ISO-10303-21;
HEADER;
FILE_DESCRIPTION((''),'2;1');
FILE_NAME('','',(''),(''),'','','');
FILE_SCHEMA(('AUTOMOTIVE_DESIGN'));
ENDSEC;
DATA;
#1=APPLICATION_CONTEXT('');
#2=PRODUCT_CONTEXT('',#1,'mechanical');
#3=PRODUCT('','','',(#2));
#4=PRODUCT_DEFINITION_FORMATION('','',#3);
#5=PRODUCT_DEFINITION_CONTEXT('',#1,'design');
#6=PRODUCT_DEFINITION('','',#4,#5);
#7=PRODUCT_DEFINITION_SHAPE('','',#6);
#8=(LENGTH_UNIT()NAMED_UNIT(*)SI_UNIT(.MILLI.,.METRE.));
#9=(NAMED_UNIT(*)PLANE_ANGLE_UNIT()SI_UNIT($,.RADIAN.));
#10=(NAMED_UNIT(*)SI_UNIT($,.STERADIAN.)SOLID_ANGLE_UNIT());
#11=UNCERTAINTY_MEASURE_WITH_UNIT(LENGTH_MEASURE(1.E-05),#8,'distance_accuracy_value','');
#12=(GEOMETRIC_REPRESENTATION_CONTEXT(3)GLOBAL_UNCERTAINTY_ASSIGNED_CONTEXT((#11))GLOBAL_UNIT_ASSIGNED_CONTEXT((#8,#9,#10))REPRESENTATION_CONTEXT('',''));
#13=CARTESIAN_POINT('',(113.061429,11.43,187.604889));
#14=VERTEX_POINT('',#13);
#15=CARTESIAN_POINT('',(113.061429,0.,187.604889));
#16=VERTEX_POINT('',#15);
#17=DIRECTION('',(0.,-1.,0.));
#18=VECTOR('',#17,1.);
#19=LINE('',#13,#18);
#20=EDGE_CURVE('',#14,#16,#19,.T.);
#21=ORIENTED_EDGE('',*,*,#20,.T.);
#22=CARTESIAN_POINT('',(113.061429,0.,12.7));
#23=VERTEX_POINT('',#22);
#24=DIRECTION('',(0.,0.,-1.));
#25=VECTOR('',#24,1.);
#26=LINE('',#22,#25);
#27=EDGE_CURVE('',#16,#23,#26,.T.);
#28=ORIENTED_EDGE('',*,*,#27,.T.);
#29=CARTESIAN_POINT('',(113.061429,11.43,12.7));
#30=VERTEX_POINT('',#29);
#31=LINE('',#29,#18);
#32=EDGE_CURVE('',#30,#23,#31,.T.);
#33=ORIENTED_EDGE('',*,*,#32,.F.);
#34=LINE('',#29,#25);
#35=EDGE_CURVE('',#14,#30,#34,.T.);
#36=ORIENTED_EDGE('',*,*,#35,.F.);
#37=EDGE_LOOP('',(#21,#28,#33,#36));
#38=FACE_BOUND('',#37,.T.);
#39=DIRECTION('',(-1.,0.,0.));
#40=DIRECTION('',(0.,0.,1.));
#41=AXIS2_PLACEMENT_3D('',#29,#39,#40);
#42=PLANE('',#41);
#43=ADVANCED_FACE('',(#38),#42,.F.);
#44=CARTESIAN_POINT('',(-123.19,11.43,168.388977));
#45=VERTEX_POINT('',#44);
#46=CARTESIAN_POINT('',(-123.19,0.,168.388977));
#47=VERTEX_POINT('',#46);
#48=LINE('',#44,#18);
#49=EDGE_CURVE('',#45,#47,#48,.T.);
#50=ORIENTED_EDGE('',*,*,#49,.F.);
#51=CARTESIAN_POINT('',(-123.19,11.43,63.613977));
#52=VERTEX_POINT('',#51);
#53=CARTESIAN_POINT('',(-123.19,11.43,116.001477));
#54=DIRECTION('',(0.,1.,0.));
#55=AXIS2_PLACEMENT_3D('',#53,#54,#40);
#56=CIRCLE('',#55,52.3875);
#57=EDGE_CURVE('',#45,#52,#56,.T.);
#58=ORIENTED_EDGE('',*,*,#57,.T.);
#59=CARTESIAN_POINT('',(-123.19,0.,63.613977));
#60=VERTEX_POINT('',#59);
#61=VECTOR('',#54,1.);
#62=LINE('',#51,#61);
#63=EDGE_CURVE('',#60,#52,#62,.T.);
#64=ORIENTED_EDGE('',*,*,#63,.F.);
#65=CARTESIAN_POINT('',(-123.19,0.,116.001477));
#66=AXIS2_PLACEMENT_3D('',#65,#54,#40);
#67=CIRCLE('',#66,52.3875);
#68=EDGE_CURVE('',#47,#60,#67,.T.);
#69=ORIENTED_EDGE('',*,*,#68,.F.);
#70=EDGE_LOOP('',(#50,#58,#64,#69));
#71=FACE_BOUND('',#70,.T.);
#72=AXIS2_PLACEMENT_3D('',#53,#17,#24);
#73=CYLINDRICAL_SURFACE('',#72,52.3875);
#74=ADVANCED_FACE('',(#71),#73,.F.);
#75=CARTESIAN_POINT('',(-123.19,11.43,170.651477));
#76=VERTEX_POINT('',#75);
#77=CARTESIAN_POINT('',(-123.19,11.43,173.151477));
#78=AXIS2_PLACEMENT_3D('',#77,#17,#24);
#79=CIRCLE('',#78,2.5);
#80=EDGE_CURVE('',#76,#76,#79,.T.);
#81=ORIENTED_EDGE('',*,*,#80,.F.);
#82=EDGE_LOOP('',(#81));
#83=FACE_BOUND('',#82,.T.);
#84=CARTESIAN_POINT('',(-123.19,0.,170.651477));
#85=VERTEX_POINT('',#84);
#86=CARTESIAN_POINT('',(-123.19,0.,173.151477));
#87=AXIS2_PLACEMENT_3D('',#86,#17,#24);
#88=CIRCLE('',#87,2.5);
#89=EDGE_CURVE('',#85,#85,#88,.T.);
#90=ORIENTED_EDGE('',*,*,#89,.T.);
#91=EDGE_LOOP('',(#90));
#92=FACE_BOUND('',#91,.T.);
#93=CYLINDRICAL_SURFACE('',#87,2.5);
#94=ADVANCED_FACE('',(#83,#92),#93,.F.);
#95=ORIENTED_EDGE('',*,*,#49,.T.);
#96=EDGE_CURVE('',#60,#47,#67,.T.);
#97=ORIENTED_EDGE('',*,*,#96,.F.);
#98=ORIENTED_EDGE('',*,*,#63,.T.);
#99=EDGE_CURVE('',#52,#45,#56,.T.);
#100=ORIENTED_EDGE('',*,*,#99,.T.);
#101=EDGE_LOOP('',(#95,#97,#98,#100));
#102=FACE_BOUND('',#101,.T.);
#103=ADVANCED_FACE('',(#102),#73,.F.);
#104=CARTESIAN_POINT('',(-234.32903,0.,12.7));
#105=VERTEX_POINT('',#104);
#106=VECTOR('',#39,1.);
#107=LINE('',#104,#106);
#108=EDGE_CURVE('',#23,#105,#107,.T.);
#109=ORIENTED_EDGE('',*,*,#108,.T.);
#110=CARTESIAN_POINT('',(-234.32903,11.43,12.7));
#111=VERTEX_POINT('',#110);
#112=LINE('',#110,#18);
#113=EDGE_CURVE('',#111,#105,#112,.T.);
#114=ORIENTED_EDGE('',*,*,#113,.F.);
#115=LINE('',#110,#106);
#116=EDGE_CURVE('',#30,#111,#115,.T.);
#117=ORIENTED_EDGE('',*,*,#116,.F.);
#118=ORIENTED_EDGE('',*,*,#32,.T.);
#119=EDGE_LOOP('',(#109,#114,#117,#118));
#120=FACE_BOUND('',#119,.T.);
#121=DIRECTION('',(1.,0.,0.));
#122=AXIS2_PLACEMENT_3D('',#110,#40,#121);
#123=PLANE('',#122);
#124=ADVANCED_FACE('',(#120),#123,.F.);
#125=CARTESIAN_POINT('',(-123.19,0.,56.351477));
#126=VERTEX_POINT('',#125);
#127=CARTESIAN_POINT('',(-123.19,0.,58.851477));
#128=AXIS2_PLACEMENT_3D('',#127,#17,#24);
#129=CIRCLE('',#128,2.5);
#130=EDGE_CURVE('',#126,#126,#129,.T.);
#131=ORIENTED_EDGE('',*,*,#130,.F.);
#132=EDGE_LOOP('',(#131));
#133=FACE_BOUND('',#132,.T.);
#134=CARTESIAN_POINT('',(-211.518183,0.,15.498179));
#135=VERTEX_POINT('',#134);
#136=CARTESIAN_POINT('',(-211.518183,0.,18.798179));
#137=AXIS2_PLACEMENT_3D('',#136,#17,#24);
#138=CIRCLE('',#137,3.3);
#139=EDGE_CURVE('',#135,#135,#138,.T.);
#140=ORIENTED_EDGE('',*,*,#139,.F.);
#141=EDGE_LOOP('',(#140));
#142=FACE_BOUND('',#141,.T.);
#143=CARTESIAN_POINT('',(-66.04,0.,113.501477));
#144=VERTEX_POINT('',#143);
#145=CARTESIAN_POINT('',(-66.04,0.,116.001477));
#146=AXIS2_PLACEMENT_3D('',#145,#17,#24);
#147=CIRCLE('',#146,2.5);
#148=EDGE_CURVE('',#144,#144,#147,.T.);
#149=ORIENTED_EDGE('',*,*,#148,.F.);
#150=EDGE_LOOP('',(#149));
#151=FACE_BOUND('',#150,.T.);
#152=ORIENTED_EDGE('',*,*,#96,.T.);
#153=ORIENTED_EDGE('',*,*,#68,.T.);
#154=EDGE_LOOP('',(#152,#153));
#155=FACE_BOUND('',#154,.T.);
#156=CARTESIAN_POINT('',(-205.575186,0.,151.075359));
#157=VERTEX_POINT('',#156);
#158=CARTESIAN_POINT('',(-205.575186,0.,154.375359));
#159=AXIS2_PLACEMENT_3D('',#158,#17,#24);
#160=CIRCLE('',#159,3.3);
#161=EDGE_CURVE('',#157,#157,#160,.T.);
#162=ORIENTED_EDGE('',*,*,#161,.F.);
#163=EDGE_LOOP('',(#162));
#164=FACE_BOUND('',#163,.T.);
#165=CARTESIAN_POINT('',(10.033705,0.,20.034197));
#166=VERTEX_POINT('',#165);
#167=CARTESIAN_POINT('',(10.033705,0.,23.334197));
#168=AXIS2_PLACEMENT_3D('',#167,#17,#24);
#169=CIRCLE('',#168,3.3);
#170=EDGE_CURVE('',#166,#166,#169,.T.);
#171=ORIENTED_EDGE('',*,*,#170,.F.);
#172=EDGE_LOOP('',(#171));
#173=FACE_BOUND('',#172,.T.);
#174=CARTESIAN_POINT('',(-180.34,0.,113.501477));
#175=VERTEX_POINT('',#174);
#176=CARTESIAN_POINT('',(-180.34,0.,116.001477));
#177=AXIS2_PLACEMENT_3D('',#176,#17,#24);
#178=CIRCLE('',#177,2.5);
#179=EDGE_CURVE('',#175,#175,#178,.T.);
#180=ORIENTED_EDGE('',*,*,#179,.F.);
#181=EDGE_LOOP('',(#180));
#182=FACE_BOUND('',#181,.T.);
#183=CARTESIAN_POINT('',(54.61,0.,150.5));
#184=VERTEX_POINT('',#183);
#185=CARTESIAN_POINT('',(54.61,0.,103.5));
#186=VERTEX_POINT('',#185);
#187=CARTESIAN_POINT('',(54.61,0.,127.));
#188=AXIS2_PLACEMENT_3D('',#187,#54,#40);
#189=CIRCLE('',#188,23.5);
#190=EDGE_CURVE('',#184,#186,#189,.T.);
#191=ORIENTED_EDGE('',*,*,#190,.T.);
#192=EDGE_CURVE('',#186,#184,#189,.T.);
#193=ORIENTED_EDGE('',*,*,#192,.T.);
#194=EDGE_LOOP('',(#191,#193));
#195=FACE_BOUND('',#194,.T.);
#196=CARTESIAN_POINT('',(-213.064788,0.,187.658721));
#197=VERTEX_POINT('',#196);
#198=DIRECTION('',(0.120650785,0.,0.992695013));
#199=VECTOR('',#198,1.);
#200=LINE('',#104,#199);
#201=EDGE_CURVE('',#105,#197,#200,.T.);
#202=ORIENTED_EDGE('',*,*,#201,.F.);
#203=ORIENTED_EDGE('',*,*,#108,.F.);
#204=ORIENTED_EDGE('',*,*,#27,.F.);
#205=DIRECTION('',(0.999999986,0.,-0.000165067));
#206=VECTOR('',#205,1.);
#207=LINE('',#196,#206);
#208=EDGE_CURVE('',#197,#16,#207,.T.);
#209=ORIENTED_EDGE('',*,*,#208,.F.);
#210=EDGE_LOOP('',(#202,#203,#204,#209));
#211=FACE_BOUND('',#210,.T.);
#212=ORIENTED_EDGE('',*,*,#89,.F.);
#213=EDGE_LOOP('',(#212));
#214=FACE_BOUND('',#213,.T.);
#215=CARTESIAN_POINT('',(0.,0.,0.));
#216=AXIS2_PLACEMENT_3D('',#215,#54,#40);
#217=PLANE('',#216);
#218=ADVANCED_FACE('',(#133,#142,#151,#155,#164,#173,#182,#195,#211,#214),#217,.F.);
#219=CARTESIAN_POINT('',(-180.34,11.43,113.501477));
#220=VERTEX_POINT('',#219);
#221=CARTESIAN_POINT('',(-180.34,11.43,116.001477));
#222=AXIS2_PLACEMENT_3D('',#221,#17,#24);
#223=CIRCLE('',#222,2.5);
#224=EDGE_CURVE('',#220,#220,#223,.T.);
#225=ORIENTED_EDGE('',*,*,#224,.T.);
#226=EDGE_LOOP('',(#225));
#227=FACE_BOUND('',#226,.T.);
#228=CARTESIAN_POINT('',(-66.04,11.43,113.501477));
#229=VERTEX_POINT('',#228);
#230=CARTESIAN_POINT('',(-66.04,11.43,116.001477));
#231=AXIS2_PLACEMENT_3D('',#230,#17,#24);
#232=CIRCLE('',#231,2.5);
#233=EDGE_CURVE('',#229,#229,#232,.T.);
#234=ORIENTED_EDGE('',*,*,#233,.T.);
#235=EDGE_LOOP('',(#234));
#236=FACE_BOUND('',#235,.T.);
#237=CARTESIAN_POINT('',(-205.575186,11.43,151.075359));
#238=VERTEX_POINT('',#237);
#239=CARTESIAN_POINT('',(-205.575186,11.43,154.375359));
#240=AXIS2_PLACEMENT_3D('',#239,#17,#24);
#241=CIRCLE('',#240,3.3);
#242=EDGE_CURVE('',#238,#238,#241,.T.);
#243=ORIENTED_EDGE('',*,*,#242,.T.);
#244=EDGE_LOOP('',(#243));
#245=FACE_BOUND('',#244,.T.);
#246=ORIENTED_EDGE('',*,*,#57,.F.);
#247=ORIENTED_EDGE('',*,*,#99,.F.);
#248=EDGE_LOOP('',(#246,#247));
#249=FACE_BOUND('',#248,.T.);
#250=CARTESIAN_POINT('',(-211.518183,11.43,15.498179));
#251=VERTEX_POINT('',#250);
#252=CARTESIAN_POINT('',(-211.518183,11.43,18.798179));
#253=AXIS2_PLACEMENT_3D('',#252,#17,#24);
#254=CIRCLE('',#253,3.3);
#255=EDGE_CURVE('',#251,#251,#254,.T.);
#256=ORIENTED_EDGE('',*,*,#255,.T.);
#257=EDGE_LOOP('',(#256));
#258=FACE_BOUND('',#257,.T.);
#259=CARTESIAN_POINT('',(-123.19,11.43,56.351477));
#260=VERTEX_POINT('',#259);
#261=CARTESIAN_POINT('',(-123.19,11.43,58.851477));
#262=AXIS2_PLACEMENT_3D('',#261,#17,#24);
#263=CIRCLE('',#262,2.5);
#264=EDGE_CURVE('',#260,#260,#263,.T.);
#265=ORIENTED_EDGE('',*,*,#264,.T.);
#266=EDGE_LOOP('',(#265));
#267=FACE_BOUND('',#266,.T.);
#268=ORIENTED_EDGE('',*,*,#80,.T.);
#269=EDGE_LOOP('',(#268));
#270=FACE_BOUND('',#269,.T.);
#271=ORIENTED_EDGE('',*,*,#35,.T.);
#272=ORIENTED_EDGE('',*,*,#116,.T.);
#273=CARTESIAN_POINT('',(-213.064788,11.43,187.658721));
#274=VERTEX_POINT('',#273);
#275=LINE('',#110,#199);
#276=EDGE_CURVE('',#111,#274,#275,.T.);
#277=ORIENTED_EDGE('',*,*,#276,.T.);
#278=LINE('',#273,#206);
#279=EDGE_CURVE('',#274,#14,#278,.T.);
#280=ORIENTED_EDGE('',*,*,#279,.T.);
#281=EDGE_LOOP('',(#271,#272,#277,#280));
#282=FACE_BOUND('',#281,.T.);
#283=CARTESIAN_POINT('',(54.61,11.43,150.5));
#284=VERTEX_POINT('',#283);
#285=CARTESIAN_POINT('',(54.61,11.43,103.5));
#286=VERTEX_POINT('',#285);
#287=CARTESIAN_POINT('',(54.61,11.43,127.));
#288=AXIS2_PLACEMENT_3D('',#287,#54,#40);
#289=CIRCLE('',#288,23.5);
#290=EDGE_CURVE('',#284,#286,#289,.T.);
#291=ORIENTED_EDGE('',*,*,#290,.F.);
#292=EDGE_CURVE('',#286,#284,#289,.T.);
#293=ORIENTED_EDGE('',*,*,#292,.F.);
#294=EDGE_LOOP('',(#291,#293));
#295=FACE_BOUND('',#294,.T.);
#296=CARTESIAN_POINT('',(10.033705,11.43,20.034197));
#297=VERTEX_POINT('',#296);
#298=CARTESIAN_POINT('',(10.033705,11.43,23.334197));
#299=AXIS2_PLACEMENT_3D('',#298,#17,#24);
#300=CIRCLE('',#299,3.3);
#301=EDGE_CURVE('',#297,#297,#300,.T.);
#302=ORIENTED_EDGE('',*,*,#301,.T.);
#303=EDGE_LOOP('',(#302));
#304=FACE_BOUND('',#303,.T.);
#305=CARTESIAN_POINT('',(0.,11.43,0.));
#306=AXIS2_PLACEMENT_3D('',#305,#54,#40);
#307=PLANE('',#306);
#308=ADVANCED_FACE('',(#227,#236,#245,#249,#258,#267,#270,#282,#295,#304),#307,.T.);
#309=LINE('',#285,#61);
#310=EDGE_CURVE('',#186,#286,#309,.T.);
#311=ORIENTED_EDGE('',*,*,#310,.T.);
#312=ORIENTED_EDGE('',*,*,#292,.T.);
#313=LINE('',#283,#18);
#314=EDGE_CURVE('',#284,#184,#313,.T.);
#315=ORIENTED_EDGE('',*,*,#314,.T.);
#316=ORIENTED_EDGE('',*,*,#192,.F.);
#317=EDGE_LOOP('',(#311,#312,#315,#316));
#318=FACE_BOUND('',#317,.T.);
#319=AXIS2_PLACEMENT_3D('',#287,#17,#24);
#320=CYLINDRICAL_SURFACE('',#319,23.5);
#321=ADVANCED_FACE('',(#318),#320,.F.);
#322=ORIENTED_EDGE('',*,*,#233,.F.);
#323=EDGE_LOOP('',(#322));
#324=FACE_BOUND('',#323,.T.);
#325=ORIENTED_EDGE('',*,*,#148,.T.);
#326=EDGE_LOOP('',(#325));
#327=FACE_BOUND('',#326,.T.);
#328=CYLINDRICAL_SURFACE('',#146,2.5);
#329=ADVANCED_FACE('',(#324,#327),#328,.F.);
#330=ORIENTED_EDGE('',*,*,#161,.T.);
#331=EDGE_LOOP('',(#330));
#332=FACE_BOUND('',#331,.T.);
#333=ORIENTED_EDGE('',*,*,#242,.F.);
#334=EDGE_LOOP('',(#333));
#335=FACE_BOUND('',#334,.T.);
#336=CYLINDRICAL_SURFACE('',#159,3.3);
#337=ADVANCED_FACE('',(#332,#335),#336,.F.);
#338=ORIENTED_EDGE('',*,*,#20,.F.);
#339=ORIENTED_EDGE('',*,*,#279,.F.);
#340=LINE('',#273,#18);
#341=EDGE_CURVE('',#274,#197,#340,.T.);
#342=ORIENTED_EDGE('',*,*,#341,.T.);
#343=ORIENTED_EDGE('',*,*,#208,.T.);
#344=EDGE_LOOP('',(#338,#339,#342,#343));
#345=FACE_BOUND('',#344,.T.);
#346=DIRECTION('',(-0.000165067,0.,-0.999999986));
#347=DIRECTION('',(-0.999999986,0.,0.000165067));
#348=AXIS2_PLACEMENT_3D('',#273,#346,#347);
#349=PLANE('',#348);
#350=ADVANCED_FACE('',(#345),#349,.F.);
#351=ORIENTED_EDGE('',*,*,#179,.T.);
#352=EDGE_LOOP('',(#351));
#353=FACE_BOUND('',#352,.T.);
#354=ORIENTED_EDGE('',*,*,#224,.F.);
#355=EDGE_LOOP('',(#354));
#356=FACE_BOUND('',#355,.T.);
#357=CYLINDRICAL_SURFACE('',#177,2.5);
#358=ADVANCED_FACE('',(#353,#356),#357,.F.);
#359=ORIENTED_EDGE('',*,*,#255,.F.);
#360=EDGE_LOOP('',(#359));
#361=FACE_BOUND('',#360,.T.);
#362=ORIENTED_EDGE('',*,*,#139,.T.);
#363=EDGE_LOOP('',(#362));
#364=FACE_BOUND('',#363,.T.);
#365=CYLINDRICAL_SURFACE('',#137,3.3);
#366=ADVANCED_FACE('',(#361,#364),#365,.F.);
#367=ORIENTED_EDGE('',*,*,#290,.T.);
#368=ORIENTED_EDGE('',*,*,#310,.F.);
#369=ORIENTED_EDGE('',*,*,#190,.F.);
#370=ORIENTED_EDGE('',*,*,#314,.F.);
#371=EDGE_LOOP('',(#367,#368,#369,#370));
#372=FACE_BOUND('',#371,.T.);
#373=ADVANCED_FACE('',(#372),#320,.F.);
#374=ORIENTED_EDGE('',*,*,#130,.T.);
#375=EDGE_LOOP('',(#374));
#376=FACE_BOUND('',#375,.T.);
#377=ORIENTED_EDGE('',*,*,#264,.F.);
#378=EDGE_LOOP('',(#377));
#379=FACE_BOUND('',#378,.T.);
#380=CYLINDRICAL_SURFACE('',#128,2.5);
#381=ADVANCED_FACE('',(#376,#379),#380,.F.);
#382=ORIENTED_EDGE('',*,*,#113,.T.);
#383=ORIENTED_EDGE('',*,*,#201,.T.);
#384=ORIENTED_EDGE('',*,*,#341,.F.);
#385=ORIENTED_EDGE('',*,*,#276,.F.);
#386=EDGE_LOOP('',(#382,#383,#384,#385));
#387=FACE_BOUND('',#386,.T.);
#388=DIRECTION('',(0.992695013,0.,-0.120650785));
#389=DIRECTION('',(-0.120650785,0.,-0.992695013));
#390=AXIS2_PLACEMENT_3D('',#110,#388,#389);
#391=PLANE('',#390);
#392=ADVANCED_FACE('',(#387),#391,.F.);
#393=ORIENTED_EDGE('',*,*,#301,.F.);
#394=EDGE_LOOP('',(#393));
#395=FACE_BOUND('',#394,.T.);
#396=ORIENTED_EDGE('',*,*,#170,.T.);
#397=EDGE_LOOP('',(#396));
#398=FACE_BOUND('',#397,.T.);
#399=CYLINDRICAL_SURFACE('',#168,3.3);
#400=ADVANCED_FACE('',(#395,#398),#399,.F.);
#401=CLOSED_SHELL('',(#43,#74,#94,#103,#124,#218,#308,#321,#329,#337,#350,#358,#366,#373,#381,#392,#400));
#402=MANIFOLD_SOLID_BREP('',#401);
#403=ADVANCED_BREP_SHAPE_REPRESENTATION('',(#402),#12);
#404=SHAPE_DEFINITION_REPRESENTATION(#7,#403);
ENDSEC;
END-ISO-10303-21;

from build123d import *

# Parameters (mm, degrees)
SKETCH1_R             = 52.3875
SKETCH1_R_2           = 23.5
BOSS_EXTRUDE1_DEPTH   = 11.43
M6_CLEARANCE_HOLE1_D  = 6.6
F_5_0MM_DOWEL_HOLE1_D = 5
CIRPATTERN1_COUNT     = 4


with BuildPart() as part:
    # Sketch1 → Boss-Extrude1 (new body)
    with BuildSketch(Plane(origin=(0, 0, 0), x_dir=(1, 0, 0), z_dir=(0, 1, 0))):
        Polygon((-234.329030184, -12.7), (113.061428613, -12.7), (113.061428613, -187.604888893), (-213.064788009, -187.65872147), align=None)
        with Locations(Location((-123.19, -116.001477372, 0), (0, 0, 270))):
            Circle(SKETCH1_R, mode=Mode.SUBTRACT)
        with Locations(Location((54.61, -127, 0), (0, 0, 270))):
            Circle(SKETCH1_R_2, mode=Mode.SUBTRACT)
    extrude(amount=BOSS_EXTRUDE1_DEPTH)

    # M6 Clearance Hole1 (through all)
    with Locations(Plane(origin=(0, 0, 0), x_dir=(-1, 0, 0), z_dir=(0, -1, 0))):
        with Locations((-10.033704867, -23.334197365), (211.518182886, -18.798178744), (205.575185514, -154.375359311)):
            Hole(M6_CLEARANCE_HOLE1_D / 2)

    # Ø5.0mm Dowel Hole1 (through all)
    with Locations(Plane(origin=(0, 0, 0), x_dir=(-1, 0, 0), z_dir=(0, -1, 0))):
        with Locations((123.19, -173.151477372)):
            f_5_0mm_dowel_hole1 = Hole(F_5_0MM_DOWEL_HOLE1_D / 2)

    # CirPattern1: Ø5.0mm Dowel Hole1 ×4 about axis
    cirpattern1_axis = Axis((-123.19, 0, 116.001477372), (0, 1, 0))
    for i in range(1, CIRPATTERN1_COUNT):
        add(f_5_0mm_dowel_hole1.rotate(cirpattern1_axis, i * 360 / CIRPATTERN1_COUNT), mode=Mode.SUBTRACT)


solid = part.part
